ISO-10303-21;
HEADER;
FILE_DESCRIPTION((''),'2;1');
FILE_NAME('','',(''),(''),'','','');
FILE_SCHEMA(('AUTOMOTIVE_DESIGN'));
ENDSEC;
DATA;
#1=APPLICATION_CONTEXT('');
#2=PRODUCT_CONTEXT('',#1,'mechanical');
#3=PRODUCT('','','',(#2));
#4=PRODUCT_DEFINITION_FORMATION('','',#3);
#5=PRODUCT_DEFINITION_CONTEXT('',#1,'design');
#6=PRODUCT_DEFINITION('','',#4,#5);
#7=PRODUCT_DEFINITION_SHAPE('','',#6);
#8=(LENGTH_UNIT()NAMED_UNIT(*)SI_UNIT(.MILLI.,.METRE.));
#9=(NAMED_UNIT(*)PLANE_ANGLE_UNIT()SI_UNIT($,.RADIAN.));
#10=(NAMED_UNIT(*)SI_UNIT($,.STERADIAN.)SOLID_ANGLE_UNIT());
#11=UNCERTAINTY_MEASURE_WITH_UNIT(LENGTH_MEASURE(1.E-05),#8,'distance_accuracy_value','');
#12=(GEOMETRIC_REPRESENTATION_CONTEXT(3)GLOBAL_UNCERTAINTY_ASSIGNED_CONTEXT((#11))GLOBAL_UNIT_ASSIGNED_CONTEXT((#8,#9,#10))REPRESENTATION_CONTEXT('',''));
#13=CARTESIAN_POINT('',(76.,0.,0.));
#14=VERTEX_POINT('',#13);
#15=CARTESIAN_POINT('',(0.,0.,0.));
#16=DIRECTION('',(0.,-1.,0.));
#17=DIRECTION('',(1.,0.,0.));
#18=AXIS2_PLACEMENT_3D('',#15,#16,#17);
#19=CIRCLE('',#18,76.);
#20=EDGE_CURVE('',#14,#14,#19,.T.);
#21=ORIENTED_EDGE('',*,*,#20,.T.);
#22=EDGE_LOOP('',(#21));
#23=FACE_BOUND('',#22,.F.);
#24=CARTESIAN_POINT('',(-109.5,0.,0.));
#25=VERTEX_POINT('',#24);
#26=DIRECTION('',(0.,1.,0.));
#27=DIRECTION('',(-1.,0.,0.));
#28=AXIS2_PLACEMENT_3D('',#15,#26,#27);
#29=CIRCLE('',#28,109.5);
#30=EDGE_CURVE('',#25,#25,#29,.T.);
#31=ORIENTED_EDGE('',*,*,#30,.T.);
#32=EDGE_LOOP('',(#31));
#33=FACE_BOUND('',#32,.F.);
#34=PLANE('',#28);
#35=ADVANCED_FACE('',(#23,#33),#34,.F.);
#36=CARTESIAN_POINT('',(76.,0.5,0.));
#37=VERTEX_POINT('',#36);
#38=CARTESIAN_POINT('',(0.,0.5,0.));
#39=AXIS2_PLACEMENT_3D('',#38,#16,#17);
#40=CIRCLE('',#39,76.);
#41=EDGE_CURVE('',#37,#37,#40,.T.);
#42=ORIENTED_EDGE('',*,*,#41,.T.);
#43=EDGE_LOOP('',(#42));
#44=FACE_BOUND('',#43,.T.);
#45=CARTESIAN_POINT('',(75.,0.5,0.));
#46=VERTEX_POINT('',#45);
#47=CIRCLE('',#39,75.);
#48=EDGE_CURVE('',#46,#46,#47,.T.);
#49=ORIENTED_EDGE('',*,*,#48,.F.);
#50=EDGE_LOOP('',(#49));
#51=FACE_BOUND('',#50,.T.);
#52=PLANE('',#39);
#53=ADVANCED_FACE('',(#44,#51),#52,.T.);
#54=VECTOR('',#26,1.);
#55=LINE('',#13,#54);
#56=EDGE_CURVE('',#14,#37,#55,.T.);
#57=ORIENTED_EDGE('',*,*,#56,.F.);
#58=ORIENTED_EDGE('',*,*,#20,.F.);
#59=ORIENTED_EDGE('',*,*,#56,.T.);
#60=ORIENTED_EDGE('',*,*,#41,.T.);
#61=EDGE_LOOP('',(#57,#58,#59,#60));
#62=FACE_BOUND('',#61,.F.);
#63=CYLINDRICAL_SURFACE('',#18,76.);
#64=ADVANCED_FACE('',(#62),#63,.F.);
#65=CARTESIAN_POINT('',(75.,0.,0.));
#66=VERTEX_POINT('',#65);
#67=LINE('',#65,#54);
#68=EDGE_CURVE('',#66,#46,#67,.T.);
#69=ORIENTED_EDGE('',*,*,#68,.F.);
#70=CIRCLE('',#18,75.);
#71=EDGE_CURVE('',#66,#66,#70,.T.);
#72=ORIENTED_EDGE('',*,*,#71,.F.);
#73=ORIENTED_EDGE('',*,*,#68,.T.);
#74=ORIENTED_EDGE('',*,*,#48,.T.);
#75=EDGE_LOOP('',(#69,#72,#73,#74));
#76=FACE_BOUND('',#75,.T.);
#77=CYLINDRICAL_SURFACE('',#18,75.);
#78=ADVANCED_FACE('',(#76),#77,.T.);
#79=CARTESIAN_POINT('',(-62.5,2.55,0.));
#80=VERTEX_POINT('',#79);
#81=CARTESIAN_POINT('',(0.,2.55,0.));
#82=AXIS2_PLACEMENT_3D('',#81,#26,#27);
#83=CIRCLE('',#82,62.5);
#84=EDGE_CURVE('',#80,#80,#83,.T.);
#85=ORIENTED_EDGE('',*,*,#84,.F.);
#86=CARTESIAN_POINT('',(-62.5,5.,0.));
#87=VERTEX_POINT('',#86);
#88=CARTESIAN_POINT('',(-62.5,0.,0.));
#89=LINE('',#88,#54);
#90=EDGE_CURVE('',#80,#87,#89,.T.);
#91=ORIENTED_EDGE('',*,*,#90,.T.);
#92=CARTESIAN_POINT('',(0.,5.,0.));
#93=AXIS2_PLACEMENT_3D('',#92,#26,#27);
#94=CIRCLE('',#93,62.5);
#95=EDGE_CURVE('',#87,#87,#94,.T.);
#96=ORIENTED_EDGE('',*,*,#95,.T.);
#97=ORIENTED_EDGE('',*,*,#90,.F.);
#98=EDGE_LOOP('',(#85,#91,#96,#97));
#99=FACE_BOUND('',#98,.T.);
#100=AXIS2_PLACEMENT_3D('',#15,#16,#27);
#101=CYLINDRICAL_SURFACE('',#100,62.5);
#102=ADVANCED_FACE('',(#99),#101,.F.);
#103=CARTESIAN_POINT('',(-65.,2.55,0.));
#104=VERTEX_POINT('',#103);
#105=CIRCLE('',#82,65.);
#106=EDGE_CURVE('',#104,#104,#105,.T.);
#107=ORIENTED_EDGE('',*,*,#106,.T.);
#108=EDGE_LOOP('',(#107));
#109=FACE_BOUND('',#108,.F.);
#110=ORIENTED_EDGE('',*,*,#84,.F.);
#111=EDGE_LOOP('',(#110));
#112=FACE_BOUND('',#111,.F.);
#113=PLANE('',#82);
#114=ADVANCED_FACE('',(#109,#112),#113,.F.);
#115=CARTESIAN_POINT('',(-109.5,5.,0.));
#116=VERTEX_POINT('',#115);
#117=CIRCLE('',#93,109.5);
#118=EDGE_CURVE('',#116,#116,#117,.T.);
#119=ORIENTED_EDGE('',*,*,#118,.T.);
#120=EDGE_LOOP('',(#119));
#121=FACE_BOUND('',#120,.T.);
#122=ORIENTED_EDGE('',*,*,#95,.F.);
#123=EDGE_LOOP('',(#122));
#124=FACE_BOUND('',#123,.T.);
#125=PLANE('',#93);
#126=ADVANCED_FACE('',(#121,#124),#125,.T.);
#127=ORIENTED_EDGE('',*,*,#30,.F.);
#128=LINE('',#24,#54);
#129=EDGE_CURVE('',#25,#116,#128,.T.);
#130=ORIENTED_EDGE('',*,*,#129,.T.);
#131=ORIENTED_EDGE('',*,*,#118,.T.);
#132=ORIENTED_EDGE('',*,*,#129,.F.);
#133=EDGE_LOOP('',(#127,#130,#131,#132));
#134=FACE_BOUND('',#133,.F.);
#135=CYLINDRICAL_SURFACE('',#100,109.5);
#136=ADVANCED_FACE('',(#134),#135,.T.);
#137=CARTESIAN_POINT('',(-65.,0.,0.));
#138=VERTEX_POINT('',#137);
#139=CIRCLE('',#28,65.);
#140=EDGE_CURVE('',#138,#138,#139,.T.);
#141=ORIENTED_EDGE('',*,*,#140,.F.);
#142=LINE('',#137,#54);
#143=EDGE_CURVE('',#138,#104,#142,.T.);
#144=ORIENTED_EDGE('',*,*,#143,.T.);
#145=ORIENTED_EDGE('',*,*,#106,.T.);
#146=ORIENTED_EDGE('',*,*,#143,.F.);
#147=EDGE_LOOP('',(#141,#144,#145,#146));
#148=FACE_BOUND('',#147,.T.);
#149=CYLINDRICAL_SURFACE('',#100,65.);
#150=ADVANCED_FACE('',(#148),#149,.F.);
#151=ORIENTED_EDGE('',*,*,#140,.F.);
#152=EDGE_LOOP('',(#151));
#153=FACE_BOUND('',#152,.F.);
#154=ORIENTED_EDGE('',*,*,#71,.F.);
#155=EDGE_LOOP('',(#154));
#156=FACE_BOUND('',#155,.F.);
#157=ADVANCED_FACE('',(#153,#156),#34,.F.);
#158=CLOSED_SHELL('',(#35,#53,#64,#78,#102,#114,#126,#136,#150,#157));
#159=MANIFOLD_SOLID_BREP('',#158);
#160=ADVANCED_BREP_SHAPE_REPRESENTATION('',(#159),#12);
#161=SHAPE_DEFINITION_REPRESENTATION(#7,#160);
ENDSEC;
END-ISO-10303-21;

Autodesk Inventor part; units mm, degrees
ref_plane "YZ Plane" through (0, 0, 0) normal (1, 0, 0) x (0, 1, 0)
ref_plane "XZ Plane" through (0, 0, 0) normal (0, 1, 0) x (-1, 0, 0)
ref_plane "XY Plane" through (0, 0, 0) normal (0, 0, 1) x (1, 0, 0)
sketch "Sketch1" plane through (0, 0, 0) normal (0, 1, 0) x (-1, 0, 0)
  circle A0 centre (0, 0) radius 109.5
  circle A1 centre (0, 0) radius 62.5
  circle A2 centre (0, 0) radius 65
  dimension "d0" = 219
  dimension "d1" = 125
  dimension "d2" = 130
extrude "Extrusion1" add sketch "Sketch1" along normal blind 5 contours A0 | A2
extrude "Extrusion2" cut sketch "Sketch1" along normal blind 2.55 contours A2
sketch "Sketch2" plane through (0, 0, 0) normal (0, -1, 0) x (1, 0, 0)
  circle A0 centre (0, 0) radius 75
  circle A1 centre (0, 0) radius 76
  dimension "d7" = 150
  dimension "d8" = 152
extrude "Extrusion3" cut sketch "Sketch2" against normal blind 0.5
sketch "Sketch3" plane through (0, 5, 0) normal (0, 1, 0) x (1, 0, 0)
  circle A0 centre (0, 0) radius 82.5
  dimension "d11" = 165
